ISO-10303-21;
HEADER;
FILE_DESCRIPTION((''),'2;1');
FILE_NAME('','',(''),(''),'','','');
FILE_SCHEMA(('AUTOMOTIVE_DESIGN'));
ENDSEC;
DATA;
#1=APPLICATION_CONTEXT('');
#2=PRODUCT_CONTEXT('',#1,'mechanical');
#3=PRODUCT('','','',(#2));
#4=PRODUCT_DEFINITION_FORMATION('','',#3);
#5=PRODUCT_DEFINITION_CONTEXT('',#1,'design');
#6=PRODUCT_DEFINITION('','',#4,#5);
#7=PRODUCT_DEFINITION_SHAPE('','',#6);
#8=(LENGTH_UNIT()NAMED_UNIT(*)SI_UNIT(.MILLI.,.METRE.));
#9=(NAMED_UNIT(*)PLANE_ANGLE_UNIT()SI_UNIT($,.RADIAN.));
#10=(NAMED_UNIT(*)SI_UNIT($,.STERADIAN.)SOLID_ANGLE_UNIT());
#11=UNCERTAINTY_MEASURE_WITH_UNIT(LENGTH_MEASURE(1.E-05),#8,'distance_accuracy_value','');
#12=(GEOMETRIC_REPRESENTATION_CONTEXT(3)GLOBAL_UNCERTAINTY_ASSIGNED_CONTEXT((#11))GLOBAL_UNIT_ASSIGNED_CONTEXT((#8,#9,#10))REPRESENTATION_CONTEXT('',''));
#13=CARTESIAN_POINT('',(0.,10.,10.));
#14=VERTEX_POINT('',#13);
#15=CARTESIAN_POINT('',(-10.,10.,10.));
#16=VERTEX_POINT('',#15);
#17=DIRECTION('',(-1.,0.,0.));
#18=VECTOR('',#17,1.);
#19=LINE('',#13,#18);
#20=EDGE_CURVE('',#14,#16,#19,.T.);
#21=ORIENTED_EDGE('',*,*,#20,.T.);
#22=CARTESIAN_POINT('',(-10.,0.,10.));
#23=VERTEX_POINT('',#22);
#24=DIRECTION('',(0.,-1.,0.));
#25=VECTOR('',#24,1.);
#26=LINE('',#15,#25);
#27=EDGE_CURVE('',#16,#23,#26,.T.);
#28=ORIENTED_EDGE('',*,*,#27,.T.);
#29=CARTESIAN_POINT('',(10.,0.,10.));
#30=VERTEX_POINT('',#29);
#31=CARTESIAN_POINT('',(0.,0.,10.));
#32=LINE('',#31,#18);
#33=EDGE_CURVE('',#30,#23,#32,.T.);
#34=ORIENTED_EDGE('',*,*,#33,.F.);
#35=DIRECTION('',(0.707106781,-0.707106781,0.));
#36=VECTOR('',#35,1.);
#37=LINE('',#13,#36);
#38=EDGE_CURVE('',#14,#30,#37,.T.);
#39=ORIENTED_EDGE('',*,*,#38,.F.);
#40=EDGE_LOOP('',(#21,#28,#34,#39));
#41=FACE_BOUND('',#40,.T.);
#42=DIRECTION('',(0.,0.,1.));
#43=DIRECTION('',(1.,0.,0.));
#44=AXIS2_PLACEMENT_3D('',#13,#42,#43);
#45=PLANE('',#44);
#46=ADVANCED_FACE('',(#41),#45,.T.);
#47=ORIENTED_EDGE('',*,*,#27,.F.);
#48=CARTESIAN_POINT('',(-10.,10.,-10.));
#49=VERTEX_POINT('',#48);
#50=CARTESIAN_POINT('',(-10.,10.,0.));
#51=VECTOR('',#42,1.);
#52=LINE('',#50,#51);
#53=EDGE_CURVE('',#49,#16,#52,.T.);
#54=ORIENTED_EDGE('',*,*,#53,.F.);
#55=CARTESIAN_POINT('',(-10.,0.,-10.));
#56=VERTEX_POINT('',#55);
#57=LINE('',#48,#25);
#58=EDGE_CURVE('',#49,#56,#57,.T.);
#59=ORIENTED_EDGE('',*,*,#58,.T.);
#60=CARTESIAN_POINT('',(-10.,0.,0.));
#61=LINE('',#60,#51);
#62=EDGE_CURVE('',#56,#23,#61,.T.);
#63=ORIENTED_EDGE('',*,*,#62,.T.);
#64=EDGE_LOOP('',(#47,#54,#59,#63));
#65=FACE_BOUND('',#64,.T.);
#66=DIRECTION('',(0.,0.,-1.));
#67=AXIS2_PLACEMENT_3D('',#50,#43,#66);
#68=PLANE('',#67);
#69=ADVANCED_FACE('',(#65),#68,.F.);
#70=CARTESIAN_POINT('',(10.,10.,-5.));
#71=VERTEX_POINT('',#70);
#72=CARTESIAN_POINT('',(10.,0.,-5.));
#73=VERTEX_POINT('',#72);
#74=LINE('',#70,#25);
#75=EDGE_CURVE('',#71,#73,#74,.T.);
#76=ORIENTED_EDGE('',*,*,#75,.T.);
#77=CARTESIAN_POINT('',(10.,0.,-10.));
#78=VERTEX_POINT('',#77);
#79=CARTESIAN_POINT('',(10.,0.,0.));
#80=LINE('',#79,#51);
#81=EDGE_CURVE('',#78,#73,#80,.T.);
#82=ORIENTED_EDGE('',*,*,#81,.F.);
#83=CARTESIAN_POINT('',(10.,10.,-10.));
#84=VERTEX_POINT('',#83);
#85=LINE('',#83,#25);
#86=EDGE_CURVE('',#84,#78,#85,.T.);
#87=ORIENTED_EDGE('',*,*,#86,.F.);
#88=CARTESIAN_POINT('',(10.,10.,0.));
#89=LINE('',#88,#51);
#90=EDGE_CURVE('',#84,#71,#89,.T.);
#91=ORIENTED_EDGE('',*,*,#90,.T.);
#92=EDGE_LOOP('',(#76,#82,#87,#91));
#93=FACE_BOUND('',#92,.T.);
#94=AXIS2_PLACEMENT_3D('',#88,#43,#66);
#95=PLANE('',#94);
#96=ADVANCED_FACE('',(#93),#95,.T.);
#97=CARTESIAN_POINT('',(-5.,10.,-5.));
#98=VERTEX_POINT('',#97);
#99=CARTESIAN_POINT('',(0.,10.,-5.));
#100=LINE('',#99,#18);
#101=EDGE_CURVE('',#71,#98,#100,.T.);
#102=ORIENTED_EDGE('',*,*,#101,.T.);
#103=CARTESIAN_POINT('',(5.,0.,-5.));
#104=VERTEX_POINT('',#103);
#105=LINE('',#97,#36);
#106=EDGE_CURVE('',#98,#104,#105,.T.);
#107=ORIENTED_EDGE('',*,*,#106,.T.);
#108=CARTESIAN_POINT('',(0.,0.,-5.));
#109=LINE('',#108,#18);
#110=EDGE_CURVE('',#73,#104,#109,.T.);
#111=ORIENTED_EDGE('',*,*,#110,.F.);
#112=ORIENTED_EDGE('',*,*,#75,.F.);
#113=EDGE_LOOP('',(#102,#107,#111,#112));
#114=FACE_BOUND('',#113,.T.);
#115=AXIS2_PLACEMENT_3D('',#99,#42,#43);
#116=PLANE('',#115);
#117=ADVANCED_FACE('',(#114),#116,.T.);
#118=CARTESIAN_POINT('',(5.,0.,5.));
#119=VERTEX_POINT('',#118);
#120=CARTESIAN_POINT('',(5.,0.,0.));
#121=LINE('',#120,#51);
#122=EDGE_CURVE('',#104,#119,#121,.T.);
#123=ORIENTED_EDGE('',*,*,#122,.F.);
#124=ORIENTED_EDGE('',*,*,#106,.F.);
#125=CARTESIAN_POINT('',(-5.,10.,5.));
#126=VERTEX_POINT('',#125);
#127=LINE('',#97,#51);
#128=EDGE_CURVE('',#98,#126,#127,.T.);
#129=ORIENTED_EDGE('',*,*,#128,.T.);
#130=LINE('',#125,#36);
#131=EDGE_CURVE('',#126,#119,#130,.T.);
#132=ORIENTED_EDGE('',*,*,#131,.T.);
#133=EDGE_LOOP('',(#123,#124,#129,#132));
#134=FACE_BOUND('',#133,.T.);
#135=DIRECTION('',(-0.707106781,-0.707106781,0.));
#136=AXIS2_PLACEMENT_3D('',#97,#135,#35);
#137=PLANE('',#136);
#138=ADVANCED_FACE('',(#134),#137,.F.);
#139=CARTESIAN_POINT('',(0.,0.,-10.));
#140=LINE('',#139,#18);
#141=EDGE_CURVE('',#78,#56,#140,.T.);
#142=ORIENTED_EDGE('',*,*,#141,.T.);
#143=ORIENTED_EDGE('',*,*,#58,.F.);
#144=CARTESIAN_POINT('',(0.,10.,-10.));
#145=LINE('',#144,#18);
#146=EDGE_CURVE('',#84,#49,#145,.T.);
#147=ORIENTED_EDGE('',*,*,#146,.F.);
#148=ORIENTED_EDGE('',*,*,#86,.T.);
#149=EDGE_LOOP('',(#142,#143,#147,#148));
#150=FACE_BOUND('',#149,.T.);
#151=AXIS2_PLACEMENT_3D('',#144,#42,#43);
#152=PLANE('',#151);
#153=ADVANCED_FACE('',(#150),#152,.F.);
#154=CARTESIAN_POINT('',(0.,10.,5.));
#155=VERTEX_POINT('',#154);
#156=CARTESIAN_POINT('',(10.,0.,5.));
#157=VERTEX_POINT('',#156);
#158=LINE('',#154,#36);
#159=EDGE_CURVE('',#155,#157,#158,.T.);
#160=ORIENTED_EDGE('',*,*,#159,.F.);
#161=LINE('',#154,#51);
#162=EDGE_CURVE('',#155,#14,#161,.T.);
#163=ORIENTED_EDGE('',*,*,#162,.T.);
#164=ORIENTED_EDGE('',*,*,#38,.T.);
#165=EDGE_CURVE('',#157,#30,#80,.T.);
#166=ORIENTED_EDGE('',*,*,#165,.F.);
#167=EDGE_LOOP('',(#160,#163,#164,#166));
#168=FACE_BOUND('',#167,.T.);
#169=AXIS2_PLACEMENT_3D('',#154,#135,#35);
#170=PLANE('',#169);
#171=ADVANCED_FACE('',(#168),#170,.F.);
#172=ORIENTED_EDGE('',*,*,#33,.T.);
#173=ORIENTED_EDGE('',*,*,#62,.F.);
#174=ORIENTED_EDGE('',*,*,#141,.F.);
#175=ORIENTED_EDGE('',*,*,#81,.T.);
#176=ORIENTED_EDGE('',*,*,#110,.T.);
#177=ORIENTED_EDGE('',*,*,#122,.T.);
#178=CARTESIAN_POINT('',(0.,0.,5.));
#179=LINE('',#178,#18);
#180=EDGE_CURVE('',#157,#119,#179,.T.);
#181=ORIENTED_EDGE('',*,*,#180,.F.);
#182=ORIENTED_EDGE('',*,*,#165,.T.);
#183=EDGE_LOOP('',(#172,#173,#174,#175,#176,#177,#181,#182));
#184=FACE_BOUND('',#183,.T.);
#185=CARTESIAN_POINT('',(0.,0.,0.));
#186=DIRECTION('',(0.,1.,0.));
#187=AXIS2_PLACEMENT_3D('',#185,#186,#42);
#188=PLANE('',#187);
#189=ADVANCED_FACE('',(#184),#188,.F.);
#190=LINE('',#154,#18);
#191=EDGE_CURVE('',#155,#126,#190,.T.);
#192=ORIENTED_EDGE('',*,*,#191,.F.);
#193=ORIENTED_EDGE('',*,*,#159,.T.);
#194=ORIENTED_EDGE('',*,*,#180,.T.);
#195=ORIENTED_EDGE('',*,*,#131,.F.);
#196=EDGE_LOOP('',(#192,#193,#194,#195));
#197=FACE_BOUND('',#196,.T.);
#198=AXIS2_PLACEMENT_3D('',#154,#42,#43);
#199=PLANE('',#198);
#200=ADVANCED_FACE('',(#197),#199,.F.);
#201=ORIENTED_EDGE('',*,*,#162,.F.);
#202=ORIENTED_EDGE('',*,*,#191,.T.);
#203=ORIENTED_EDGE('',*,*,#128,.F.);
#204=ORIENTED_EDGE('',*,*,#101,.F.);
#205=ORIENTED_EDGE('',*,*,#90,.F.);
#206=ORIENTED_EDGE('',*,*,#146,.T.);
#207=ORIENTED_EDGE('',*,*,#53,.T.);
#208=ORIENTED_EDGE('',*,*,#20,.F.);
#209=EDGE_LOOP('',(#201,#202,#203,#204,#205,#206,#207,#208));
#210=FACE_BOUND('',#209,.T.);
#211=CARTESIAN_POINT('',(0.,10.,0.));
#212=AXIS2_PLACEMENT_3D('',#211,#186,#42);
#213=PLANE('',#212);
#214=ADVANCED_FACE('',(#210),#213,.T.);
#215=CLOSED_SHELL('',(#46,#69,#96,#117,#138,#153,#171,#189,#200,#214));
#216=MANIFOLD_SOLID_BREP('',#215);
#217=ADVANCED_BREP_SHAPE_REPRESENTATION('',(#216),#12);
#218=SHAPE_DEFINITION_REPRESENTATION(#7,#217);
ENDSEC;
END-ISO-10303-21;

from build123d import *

# Parameters (mm, degrees)
EXTRUDE_1_DEPTH     = 10
CUT_EXTRUDE_START   = -5
CUT_EXTRUDE_1_DEPTH = 10
CUT_EXTRUDE_2_DEPTH = 5


with BuildPart() as part:
    # 草圖1 → 填料-伸長1 (new body)
    with BuildSketch(Plane(origin=(0, 0, 0), x_dir=(1, 0, 0), z_dir=(0, 1, 0))):
        Polygon((10, 5), (10, 10), (-10, 10), (-10, -10), (10, -10), (10, -5), (5, -5), (5, 5), align=None)
    extrude(amount=EXTRUDE_1_DEPTH)

    # 草圖2 → 除料-伸長1 (cut)
    with BuildSketch(Plane.XY.offset(10).offset(CUT_EXTRUDE_START)):
        Polygon((10, 0), (10, 10), (-5, 10), (5, 0), align=None)
    extrude(amount=-CUT_EXTRUDE_1_DEPTH, mode=Mode.SUBTRACT)

    # 草圖3 → 除料-伸長2 (cut)
    with BuildSketch(Plane.XY.offset(10)):
        Polygon((0, 10), (10, 0), (10, 10), align=None)
    extrude(amount=-CUT_EXTRUDE_2_DEPTH, mode=Mode.SUBTRACT)


solid = part.part
